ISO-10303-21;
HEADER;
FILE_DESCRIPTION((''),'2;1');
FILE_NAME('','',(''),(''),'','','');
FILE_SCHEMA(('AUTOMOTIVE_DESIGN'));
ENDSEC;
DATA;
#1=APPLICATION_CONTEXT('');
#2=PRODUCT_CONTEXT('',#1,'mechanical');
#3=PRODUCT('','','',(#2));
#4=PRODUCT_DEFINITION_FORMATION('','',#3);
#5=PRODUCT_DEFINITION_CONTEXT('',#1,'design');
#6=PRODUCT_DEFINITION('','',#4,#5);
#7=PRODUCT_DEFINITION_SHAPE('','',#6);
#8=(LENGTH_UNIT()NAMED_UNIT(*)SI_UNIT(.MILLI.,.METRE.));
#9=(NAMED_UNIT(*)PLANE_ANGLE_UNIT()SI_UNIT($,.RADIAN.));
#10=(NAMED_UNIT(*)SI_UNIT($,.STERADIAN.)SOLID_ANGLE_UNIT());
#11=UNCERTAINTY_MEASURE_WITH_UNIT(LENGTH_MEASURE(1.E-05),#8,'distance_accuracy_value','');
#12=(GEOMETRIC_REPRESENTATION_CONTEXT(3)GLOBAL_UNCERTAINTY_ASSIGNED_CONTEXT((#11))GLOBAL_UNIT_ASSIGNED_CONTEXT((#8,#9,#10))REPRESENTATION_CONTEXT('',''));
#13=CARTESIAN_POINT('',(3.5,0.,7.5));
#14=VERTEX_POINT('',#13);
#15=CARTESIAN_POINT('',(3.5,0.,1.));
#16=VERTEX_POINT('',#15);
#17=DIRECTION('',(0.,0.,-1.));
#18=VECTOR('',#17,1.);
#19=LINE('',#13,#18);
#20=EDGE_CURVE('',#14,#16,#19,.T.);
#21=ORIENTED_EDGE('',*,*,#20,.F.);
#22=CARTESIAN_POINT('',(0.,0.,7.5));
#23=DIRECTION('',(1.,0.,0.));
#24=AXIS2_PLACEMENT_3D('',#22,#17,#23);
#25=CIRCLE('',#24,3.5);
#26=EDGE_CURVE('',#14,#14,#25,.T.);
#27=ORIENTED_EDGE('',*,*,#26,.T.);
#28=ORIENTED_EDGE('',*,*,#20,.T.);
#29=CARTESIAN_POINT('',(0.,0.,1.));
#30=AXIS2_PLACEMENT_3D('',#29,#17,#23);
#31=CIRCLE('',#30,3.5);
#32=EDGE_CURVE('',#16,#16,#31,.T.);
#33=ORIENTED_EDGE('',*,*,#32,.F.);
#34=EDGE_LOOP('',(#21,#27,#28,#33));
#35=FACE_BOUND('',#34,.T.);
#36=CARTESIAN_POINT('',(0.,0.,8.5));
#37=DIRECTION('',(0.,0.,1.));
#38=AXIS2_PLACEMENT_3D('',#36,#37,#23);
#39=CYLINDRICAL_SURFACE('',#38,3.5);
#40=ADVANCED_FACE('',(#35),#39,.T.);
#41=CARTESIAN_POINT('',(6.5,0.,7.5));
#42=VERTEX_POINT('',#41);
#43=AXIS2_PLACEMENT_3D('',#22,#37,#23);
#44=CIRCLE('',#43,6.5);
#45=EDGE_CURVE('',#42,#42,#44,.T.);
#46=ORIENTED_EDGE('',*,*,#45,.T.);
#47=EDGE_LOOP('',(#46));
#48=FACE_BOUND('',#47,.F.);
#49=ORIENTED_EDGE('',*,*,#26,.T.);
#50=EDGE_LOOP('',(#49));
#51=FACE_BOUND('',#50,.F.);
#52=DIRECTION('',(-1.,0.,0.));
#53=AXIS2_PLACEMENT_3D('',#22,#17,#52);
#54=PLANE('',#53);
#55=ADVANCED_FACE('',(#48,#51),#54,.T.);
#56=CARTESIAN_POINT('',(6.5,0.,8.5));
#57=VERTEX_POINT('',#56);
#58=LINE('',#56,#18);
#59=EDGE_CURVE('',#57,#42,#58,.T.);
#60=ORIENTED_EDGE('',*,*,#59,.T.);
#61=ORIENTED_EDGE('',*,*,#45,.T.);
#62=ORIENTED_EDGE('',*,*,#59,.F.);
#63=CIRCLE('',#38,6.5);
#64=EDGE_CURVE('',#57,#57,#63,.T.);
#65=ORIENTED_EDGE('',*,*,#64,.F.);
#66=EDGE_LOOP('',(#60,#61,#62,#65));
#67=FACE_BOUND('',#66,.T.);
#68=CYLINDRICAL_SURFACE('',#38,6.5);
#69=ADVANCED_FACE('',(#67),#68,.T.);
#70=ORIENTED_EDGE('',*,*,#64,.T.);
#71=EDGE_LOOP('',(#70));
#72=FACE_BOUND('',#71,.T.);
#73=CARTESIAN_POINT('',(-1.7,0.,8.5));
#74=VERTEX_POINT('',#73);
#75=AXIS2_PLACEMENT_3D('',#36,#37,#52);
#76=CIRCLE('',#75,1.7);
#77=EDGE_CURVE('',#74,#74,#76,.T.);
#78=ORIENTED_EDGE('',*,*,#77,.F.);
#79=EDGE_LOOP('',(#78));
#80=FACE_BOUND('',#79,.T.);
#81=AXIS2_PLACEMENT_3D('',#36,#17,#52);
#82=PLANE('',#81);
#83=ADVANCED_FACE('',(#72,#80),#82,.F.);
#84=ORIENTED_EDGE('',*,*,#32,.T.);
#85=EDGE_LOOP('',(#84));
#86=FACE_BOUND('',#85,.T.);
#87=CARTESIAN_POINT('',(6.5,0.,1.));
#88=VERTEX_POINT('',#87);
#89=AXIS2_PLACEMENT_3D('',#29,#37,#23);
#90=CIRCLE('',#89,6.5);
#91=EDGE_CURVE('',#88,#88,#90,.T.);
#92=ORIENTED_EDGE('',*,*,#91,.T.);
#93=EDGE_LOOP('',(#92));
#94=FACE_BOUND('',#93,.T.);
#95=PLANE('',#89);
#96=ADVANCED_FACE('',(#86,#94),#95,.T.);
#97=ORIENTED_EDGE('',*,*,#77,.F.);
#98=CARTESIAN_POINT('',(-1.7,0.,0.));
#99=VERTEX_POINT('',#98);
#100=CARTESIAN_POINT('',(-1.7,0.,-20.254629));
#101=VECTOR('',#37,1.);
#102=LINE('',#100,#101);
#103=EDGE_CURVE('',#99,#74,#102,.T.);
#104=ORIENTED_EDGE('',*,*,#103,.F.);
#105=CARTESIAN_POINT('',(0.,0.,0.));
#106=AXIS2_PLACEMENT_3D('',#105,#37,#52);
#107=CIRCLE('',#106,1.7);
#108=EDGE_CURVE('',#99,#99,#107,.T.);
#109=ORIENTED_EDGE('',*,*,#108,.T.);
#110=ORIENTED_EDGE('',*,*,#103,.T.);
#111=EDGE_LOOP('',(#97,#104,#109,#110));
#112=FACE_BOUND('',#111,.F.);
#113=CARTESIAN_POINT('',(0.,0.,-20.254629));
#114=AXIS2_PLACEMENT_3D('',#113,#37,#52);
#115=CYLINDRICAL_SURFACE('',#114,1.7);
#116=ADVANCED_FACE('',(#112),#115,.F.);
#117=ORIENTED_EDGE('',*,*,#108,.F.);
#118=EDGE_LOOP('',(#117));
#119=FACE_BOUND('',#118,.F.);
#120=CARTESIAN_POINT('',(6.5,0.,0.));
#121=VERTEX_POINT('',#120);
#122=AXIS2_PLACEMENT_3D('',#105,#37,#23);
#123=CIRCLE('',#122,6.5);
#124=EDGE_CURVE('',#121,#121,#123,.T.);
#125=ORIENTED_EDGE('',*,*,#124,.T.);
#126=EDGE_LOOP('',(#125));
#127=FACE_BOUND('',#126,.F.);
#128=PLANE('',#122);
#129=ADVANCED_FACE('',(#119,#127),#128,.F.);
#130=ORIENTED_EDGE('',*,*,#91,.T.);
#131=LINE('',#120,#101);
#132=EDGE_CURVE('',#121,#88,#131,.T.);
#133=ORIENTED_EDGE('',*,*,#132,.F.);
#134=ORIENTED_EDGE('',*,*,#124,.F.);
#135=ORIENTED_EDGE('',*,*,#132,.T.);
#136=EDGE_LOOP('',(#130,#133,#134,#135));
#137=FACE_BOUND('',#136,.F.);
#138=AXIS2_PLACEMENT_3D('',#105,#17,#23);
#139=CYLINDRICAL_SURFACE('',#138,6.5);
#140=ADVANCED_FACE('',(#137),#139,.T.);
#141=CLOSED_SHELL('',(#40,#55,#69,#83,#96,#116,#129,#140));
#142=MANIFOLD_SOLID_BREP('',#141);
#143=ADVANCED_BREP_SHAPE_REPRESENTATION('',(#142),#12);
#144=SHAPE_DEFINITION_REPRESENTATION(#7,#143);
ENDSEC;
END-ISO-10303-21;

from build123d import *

# Parameters (mm, degrees)
F0_R     = 6.5
F0_R_2   = 3.5
F1_DEPTH = 1
F2_DEPTH = 4.25
F4_D     = 3.4


with BuildPart() as f1:
    # F0 (on Top) → F1 (new body)
    with BuildSketch(Plane.XY):
        Circle(F0_R)
        Circle(F0_R_2, mode=Mode.SUBTRACT)
        Circle(F0_R_2)
    extrude(amount=F1_DEPTH)

    # F0 (on Top) → F2 (join)
    with BuildSketch(Plane.XY):
        Circle(F0_R_2)
    extrude(amount=F2_DEPTH)

    # F3: F1 across face


with BuildPart() as f1_1:
    add(f1.part)
    add(f1.part.mirror(Plane.XY.offset(4.25)))

    # F4 (through all)
    with Locations(Plane(origin=(0, 0, 0), x_dir=(1, 0, 0), z_dir=(0, 0, -1))):
        with Locations((0, 0)):
            Hole(F4_D / 2)


solid = f1_1.part
